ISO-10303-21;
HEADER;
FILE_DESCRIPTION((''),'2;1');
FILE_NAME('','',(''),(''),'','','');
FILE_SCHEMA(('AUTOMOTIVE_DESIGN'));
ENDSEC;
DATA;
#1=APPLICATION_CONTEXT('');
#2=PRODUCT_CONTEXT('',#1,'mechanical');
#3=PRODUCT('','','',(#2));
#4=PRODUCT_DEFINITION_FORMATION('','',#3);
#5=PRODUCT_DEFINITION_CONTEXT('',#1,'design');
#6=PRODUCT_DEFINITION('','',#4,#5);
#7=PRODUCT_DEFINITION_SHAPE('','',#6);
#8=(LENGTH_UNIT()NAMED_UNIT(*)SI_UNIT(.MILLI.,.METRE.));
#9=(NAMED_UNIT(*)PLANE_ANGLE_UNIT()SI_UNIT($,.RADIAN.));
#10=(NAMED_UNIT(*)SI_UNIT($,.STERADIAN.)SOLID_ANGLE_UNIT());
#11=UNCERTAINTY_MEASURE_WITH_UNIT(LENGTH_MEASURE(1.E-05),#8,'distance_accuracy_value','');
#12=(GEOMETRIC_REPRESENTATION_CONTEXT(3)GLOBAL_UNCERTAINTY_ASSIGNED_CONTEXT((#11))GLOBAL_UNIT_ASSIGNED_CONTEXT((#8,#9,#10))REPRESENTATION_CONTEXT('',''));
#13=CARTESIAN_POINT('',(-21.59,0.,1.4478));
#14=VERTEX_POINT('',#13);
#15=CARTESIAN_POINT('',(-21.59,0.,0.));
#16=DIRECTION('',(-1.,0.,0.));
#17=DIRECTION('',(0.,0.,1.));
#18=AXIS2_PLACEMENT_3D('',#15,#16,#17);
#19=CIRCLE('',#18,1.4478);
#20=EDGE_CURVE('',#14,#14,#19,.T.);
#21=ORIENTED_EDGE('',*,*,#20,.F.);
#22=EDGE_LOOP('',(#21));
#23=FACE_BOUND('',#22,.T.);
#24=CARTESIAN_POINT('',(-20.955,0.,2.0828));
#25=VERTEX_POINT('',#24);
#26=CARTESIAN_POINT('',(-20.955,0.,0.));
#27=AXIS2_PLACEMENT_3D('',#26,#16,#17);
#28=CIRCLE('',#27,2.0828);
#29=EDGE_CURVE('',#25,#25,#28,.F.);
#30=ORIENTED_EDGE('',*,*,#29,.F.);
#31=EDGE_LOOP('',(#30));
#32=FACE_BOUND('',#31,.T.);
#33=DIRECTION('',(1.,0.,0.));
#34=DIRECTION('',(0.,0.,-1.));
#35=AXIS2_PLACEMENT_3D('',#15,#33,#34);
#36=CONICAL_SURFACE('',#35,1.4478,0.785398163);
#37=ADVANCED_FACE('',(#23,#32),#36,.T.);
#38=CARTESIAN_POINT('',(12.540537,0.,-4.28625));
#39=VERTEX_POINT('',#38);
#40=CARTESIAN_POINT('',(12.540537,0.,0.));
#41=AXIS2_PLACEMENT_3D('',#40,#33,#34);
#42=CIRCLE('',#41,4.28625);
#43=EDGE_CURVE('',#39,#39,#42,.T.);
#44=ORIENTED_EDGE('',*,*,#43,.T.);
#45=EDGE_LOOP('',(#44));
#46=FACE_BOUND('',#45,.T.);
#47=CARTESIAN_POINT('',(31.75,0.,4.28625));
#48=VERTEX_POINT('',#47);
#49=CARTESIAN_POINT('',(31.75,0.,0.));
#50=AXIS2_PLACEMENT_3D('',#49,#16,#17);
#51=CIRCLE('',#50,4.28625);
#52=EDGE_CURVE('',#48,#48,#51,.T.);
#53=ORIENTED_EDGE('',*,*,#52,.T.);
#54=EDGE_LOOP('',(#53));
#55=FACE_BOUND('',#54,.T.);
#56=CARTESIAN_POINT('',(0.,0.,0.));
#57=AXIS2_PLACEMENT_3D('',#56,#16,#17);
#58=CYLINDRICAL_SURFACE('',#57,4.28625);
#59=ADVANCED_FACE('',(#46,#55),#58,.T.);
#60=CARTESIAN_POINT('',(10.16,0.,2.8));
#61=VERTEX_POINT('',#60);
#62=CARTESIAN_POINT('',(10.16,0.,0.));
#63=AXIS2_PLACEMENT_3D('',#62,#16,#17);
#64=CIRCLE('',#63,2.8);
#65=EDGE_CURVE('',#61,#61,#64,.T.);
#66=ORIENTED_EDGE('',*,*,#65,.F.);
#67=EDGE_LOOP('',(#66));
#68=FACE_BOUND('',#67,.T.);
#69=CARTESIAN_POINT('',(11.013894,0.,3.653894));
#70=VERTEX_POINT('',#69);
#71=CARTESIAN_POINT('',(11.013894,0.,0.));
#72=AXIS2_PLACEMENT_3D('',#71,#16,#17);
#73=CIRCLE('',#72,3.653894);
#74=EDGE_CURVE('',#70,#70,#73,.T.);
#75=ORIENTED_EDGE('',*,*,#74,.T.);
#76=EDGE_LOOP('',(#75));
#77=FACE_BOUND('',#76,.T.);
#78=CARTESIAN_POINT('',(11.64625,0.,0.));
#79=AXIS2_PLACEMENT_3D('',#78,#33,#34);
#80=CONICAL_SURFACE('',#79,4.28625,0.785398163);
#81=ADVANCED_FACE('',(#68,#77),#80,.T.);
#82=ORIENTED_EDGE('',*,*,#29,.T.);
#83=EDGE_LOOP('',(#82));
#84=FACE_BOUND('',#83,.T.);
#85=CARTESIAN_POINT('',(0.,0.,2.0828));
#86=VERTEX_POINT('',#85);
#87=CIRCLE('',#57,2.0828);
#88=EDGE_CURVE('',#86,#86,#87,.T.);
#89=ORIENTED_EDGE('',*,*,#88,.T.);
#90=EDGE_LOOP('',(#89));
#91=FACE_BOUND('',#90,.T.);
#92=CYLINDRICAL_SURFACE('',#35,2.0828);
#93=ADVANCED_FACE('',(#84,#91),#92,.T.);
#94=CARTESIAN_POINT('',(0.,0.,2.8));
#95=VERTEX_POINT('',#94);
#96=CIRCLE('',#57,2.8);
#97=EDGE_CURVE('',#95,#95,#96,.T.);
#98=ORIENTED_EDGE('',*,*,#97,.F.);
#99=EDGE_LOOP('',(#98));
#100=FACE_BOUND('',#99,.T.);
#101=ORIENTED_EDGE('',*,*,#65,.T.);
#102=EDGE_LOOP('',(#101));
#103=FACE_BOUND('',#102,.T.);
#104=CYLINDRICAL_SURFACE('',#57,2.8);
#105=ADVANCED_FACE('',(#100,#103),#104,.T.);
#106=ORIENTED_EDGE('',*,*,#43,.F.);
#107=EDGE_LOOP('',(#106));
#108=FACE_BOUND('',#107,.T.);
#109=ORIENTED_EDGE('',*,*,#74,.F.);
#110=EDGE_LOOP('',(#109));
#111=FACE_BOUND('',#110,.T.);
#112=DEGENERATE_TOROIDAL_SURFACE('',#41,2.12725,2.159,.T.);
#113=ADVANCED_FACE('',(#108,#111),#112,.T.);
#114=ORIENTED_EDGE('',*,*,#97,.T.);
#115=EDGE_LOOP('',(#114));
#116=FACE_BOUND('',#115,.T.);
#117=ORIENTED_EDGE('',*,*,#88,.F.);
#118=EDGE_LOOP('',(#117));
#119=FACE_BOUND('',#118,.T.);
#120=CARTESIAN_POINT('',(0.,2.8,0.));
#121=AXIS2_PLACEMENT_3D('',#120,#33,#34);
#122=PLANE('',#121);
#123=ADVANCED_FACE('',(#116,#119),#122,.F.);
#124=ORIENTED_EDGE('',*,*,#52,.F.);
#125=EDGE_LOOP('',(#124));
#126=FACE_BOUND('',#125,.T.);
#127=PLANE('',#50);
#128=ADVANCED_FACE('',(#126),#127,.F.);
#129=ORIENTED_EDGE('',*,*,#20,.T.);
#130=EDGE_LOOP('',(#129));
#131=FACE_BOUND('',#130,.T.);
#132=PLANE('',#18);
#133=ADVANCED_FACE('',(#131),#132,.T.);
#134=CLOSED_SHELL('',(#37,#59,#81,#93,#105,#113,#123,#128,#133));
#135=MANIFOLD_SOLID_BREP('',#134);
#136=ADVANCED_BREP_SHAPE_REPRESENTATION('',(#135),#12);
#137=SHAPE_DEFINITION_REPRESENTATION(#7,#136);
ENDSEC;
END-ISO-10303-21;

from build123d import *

# Parameters (mm, degrees)
FILLET1_R           = 2.159
SKETCH6_R           = 2.0828
BOSS_EXTRUDE1_DEPTH = 21.59
CHAMFER2_SIZE       = 0.635


with BuildPart() as part:
    # Sketch1 → Revolve1 (revolve)
    with BuildSketch(Plane.XY, mode=Mode.PRIVATE) as revolve1_sk:
        Polygon((31.75, 0), (31.75, 4.28625), (11.64625, 4.28625), (10.16, 2.8), (0, 2.8), (0, 0), align=None)
    revolve(revolve1_sk.sketch.rotate(Axis((0, 0, 0), (1, 0, 0)), 90), axis=Axis((0, 0, 0), (1, 0, 0)))

    # Fillet1
    fillet1_edges = [part.edges().sort_by_distance(p)[0] for p in [
        (11.64625, 0, -4.28625),
    ]]
    fillet(fillet1_edges, radius=FILLET1_R)

    # Sketch6 → Boss-Extrude1 (add)
    with BuildSketch(Plane.ZY):
        Circle(SKETCH6_R)
    extrude(amount=BOSS_EXTRUDE1_DEPTH)

    # Chamfer2
    chamfer2_edges = [part.edges().sort_by_distance(p)[0] for p in [
        (-21.59, 0, -2.0828),
    ]]
    chamfer(chamfer2_edges, length=CHAMFER2_SIZE)


solid = part.part
